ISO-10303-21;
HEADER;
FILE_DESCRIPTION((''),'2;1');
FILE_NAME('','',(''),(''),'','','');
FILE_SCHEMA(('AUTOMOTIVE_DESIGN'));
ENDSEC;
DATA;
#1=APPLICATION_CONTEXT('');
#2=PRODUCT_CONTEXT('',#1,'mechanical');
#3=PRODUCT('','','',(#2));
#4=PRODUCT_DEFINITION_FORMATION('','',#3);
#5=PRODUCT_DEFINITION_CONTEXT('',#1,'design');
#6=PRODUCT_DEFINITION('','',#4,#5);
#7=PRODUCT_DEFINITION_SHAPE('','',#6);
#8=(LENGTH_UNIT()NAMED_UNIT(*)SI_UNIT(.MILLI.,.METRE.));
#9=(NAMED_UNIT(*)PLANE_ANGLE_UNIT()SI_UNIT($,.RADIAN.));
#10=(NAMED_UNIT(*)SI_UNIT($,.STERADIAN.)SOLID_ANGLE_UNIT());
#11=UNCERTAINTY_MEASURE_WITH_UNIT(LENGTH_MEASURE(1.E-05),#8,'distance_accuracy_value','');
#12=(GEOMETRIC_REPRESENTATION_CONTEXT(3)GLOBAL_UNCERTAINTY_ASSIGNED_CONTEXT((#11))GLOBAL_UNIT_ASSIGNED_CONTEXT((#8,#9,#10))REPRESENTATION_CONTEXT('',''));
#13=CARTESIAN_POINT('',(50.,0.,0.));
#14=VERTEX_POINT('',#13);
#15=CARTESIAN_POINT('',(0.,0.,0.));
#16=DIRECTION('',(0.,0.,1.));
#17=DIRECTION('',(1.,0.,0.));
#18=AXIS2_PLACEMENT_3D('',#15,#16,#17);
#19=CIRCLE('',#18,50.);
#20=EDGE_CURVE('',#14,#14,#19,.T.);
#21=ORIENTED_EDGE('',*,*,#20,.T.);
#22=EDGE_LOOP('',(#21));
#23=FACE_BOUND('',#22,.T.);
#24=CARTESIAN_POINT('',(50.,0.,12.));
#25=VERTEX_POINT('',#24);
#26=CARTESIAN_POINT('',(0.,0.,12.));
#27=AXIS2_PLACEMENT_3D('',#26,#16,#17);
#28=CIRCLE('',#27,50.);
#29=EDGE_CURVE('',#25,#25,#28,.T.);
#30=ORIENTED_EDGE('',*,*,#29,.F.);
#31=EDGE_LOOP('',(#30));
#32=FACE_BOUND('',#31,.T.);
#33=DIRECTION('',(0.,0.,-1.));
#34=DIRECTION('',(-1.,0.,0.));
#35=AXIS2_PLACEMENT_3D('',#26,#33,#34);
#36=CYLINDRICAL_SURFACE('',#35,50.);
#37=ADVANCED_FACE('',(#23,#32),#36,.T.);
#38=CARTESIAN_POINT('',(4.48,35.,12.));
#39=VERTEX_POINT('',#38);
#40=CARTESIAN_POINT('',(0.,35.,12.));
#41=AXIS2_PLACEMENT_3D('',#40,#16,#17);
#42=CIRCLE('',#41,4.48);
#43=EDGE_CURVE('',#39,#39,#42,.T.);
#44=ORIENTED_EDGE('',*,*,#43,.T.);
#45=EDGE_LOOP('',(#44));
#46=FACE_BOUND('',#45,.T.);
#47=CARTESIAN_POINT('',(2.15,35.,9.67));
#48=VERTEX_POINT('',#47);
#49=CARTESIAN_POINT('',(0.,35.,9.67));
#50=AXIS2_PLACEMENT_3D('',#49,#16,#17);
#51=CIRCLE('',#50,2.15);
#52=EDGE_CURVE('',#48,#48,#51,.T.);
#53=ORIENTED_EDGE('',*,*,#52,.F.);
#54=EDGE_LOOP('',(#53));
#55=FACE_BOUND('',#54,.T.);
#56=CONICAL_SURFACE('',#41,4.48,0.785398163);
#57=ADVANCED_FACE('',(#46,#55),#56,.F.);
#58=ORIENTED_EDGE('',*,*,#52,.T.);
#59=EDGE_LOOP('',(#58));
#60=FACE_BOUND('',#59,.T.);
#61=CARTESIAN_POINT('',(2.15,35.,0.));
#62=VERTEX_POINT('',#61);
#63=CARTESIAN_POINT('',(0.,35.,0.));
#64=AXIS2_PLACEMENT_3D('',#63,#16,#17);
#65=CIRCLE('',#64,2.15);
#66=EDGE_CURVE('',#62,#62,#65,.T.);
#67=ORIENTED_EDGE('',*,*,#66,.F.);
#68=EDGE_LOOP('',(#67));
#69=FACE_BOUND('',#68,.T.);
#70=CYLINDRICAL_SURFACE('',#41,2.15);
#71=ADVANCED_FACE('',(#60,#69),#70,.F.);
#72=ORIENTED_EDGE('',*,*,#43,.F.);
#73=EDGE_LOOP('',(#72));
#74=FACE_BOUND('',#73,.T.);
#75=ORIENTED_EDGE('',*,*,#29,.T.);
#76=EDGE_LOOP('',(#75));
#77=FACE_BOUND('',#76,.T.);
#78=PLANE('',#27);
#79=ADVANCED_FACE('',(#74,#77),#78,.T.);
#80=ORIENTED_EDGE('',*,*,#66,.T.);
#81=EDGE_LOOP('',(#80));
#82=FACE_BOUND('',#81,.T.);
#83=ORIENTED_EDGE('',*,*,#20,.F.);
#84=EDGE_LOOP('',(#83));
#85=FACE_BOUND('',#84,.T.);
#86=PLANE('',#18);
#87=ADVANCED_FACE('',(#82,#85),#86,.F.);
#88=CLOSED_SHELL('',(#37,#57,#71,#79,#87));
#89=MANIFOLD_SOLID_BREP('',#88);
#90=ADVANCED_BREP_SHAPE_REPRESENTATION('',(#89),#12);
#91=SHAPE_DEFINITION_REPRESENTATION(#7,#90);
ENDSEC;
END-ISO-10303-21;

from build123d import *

# Parameters (mm, degrees)
SKETCH2_R                     = 50
BOSS_EXTRUDE1_DEPTH           = 12
CSK_FOR_M4_SFHCS1_D           = 4.3
CSK_FOR_M4_SFHCS1_DEPTH       = 19.5
CSK_FOR_M4_SFHCS1_CSINK_D     = 8.96
CSK_FOR_M4_SFHCS1_CSINK_ANGLE = 90
CSK_FOR_M4_SFHCS1_TIP         = 1.291850331


with BuildPart() as part:
    # Sketch2 → Boss-Extrude1 (new body)
    with BuildSketch(Plane.XY):
        Circle(SKETCH2_R)
    extrude(amount=BOSS_EXTRUDE1_DEPTH)

    # CSK for M4 SFHCS1
    with Locations(Plane(origin=(0, 35, 12), x_dir=(1, 0, 0), z_dir=(0, 0, 1))):
        with Locations((0, 0)):
            CounterSinkHole(CSK_FOR_M4_SFHCS1_D / 2, CSK_FOR_M4_SFHCS1_CSINK_D / 2, depth=CSK_FOR_M4_SFHCS1_DEPTH, counter_sink_angle=CSK_FOR_M4_SFHCS1_CSINK_ANGLE)
            with Locations((0, 0, -(CSK_FOR_M4_SFHCS1_DEPTH + CSK_FOR_M4_SFHCS1_TIP / 2))):  # 118° drill point
                Cone(0, CSK_FOR_M4_SFHCS1_D / 2, CSK_FOR_M4_SFHCS1_TIP, mode=Mode.SUBTRACT)


solid = part.part
